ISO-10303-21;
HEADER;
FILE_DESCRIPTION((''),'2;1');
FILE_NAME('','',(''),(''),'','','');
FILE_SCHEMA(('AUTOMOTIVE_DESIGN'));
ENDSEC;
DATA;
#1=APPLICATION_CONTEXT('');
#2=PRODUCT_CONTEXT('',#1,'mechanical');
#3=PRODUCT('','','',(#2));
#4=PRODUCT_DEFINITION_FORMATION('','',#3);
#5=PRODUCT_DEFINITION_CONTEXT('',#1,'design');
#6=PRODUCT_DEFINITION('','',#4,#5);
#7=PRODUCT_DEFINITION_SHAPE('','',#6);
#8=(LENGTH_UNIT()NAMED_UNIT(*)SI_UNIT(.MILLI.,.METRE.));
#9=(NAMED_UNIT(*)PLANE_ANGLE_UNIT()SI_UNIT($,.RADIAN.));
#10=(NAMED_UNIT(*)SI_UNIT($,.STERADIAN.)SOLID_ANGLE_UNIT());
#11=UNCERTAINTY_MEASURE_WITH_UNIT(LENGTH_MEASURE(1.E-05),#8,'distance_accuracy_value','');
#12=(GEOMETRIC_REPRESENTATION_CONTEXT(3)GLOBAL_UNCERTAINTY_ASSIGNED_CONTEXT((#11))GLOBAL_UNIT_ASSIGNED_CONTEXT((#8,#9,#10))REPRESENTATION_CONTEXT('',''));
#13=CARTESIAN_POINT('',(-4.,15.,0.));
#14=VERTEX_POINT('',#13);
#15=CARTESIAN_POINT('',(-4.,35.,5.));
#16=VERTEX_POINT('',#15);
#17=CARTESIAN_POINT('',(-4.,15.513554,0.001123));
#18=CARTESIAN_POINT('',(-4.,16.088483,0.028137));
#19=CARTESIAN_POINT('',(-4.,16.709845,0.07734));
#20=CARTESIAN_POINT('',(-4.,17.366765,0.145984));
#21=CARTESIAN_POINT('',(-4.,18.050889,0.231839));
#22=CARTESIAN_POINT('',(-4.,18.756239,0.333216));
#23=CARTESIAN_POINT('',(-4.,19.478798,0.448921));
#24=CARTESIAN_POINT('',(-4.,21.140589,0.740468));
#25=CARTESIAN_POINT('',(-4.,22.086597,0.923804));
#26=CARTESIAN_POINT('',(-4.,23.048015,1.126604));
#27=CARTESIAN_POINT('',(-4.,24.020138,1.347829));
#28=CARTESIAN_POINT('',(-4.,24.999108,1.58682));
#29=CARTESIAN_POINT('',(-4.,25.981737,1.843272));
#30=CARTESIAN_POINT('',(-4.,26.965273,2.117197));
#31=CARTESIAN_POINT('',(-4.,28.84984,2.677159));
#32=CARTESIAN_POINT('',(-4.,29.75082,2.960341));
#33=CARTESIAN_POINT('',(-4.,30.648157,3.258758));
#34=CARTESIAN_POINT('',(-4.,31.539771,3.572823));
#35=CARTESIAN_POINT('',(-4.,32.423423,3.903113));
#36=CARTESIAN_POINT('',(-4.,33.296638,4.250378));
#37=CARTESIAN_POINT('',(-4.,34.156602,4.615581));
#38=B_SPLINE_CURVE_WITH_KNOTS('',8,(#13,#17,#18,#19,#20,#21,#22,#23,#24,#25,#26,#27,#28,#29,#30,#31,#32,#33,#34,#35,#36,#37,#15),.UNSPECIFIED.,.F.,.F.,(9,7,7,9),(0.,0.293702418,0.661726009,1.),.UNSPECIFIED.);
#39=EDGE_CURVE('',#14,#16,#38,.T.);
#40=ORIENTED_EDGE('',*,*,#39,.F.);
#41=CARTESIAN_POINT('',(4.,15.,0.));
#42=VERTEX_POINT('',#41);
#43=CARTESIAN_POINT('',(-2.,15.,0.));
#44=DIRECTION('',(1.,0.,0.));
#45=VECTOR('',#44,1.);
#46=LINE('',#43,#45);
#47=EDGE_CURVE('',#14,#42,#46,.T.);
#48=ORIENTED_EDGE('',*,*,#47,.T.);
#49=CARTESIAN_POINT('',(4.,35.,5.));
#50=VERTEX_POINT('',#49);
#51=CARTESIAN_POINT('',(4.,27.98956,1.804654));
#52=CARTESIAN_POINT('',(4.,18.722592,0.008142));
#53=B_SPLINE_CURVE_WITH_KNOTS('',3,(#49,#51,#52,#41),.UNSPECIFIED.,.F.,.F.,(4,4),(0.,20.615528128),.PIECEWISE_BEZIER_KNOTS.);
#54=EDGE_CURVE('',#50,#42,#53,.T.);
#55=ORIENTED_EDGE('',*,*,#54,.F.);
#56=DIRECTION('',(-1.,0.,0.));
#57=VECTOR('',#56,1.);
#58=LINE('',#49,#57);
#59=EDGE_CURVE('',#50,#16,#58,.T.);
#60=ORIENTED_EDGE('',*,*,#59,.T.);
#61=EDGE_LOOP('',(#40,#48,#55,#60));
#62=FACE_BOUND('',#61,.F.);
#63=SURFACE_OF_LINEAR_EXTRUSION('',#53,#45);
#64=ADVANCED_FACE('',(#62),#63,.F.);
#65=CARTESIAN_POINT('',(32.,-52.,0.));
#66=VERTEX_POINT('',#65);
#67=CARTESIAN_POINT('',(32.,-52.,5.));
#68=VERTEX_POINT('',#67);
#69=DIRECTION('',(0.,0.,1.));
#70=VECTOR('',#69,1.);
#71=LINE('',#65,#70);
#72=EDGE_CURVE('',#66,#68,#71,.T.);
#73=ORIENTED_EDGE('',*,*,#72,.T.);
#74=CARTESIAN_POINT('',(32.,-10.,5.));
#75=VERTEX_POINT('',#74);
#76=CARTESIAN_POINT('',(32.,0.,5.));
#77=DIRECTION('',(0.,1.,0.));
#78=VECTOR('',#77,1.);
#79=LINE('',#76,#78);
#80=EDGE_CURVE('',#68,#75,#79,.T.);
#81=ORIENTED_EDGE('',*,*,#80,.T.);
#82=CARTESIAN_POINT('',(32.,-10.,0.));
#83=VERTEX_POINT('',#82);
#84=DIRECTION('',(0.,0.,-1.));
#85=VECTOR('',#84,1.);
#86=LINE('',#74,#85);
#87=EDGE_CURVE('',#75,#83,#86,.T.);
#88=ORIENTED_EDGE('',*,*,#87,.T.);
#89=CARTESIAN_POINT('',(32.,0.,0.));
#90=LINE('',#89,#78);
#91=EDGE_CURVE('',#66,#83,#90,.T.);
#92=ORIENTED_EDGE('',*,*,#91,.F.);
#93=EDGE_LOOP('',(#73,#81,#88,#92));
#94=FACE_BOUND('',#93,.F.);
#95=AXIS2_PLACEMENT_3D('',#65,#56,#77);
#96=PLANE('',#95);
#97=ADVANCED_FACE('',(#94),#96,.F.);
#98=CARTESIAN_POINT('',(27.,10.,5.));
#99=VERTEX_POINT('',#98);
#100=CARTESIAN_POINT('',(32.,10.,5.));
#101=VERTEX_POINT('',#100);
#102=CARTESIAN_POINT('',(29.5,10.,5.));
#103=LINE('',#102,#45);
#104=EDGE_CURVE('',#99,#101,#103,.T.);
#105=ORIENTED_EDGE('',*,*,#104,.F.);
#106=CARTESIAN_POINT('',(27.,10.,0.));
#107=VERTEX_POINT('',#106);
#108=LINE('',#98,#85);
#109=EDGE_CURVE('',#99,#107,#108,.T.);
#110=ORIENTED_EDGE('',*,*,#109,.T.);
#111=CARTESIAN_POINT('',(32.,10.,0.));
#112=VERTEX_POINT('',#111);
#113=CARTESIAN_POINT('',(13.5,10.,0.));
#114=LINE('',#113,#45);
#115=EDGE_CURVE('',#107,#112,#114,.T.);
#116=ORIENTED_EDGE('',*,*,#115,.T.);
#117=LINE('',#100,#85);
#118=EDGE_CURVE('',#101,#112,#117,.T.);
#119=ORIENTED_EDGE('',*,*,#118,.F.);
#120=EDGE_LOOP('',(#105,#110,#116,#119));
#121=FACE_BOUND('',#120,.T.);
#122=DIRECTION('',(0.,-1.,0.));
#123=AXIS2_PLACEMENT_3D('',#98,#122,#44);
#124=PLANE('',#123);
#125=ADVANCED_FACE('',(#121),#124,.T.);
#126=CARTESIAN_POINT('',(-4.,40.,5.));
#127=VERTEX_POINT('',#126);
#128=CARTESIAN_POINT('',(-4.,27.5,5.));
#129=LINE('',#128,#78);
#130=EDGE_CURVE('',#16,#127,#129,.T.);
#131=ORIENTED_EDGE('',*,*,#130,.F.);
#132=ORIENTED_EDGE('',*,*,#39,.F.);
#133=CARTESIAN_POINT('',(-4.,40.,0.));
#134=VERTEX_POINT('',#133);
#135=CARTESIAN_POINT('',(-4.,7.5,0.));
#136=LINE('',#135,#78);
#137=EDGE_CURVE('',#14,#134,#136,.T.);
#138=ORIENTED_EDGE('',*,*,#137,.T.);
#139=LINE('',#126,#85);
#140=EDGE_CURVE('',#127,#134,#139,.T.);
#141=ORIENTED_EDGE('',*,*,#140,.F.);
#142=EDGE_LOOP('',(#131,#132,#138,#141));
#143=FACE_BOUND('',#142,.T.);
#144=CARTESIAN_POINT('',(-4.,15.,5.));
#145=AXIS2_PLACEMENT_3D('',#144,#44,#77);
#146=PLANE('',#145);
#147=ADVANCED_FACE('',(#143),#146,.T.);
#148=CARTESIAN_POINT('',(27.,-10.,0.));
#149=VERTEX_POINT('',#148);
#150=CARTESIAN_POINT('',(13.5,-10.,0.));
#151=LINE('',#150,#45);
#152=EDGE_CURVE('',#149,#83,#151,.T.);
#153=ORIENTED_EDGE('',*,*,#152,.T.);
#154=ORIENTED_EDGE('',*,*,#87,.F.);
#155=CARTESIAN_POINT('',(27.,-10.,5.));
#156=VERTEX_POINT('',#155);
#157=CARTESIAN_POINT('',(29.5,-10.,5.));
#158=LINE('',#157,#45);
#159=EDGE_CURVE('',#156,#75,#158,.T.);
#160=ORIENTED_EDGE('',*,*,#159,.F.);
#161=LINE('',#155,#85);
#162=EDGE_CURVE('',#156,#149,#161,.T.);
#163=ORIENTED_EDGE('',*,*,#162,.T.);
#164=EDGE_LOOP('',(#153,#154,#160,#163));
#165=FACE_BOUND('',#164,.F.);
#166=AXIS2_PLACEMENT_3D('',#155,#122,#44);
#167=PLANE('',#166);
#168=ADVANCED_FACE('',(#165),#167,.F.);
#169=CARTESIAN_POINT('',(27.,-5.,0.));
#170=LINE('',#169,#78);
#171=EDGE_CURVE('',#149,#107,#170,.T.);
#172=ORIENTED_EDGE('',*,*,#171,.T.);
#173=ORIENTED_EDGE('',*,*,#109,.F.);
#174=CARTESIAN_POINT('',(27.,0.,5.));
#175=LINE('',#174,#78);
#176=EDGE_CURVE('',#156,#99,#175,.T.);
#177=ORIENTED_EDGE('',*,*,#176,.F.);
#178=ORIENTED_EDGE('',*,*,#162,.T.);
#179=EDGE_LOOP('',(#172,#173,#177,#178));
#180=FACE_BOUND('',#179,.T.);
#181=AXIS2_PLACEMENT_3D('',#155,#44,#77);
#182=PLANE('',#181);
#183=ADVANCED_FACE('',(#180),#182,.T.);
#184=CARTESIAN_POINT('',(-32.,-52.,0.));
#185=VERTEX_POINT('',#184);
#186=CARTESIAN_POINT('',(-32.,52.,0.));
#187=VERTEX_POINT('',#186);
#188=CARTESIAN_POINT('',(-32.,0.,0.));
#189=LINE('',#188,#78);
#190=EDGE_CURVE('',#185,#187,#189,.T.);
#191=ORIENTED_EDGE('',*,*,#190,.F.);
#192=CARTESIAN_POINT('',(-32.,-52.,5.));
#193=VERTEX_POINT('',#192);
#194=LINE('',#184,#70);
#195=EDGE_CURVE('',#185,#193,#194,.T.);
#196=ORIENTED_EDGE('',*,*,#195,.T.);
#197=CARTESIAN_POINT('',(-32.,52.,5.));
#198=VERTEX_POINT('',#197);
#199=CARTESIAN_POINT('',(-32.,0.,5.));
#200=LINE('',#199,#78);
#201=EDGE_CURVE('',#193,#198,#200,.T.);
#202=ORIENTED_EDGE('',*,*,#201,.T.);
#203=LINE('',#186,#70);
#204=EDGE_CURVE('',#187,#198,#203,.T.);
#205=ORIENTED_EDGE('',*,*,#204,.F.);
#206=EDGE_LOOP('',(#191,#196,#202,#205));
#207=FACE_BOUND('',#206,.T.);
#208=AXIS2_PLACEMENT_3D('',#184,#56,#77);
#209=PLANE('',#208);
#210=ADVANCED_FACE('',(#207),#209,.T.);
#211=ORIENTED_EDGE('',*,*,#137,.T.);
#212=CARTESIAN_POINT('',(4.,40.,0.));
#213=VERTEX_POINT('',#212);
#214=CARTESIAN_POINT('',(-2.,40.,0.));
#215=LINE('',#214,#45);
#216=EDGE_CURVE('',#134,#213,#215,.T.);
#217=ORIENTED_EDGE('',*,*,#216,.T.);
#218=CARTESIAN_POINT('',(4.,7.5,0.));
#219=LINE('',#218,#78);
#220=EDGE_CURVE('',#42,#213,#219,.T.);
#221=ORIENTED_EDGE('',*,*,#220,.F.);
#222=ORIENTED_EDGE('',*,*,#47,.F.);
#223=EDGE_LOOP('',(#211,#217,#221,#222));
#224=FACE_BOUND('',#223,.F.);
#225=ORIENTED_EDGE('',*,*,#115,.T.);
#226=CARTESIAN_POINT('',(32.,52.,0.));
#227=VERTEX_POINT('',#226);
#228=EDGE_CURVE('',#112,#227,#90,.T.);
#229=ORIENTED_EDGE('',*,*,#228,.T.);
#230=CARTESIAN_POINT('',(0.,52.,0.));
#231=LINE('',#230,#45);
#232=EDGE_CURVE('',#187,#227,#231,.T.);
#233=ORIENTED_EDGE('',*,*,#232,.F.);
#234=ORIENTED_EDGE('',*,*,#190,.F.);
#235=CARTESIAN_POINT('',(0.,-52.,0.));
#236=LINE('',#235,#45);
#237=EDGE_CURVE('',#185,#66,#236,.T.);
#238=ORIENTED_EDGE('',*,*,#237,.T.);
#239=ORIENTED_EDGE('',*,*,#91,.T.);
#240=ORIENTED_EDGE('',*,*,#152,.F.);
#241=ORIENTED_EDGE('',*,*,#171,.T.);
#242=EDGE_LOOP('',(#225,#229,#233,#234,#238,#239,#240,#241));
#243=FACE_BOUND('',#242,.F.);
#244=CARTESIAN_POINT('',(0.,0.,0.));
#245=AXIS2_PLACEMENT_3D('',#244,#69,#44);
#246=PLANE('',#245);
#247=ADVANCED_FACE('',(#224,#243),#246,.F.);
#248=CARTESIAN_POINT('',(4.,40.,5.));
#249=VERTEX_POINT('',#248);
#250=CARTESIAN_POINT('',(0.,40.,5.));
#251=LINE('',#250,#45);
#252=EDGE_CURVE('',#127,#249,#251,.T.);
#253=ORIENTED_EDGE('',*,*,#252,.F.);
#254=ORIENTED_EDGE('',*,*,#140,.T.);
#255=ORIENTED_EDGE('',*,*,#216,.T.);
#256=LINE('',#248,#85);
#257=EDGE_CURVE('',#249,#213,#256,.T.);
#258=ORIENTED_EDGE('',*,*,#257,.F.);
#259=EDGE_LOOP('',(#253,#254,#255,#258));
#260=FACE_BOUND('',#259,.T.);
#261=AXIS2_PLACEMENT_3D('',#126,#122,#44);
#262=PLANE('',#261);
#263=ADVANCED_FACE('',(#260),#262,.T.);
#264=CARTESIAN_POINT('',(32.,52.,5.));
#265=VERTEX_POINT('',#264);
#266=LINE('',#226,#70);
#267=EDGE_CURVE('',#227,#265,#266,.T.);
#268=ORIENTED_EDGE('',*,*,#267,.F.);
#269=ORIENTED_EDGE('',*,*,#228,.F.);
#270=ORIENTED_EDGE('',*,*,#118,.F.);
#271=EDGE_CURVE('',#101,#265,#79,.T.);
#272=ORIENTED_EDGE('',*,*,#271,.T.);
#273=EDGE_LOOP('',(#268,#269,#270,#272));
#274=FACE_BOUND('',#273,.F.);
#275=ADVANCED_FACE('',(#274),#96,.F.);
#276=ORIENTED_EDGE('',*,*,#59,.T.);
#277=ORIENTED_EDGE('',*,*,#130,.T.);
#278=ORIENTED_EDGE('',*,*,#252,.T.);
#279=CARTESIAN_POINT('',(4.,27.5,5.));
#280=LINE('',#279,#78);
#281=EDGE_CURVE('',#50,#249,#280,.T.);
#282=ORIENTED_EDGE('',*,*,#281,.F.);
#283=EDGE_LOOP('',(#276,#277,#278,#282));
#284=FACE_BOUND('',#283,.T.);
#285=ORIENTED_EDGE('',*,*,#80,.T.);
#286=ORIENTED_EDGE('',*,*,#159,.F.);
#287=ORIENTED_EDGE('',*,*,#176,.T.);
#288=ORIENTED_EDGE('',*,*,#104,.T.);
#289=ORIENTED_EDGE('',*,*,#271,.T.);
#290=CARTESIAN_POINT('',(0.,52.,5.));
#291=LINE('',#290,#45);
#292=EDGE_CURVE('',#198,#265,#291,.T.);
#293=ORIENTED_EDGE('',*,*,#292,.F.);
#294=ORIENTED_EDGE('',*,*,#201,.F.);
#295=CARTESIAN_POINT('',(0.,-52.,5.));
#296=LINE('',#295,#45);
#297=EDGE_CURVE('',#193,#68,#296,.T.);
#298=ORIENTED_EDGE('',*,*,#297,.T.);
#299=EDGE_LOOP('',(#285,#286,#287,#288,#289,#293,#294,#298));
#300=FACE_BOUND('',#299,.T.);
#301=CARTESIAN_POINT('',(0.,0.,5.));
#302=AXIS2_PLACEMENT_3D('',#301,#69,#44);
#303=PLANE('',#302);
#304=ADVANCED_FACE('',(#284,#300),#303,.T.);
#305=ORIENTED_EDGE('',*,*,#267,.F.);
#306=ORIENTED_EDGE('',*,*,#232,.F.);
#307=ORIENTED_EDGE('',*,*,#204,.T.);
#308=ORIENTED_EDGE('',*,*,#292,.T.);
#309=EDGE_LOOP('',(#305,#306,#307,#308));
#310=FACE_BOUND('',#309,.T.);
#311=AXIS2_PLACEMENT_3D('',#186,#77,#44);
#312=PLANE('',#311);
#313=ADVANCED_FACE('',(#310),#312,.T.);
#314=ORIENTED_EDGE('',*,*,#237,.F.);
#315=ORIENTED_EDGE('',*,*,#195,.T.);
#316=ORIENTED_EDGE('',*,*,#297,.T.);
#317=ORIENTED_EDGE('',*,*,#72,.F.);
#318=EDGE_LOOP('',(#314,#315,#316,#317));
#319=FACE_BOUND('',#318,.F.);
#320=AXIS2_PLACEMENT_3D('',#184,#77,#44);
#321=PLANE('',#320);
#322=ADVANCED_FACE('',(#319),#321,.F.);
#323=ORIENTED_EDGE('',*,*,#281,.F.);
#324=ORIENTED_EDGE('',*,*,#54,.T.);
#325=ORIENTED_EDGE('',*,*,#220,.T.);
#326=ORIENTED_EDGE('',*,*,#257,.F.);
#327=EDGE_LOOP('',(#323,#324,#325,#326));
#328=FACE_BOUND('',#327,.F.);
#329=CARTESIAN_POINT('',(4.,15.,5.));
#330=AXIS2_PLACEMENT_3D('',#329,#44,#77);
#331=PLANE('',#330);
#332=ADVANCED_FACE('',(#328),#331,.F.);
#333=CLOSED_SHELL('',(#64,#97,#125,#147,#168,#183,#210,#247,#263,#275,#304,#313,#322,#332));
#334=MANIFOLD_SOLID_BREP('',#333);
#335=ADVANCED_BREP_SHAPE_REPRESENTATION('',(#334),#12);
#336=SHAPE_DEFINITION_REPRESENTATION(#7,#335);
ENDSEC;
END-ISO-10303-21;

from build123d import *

# Parameters (mm, degrees)
F0_W     = 64
F0_H     = 104
F1_DEPTH = 5
F2_W     = 5
F2_H     = 20
F3_DEPTH = 25
F5_W     = 8
F5_H     = 25
F6_DEPTH = 25
F8_DEPTH = 25


with BuildPart() as f1:
    # F0 (on Top) → F1 (new body)
    with BuildSketch(Plane.XY):
        Rectangle(F0_W, F0_H)
    extrude(amount=F1_DEPTH)

    # F2 (on face) → F3 (cut)
    with BuildSketch(Plane.XY.offset(5)):
        with Locations((29.5, 0)):
            Rectangle(F2_W, F2_H)
    extrude(amount=-F3_DEPTH, mode=Mode.SUBTRACT)

    # F5 (on face) → F6 (cut)
    with BuildSketch(Plane.XY.offset(5)):
        with Locations((0, 27.5)):
            Rectangle(F5_W, F5_H)
    extrude(amount=-F6_DEPTH, mode=Mode.SUBTRACT)

    # F7 (on face) → F8 (join)
    with BuildSketch(Plane(origin=(4, 0, 0), x_dir=(0, -1, 0), z_dir=(-1, 0, 0))):
        with BuildLine():
            Line((-15, 5), (-35, 5))
            add(Edge.make_bspline(
                [(-35, 5), (-27.9895598193, 1.8046537073), (-18.7225920955, 0.0081415234), (-15, 0)],
                knots=[0, 0, 0, 0, 20.6155281281, 20.6155281281, 20.6155281281, 20.6155281281], degree=3))
            Line((-15, 0), (-15, 5))
        make_face()
    extrude(amount=F8_DEPTH)


solid = f1.part
